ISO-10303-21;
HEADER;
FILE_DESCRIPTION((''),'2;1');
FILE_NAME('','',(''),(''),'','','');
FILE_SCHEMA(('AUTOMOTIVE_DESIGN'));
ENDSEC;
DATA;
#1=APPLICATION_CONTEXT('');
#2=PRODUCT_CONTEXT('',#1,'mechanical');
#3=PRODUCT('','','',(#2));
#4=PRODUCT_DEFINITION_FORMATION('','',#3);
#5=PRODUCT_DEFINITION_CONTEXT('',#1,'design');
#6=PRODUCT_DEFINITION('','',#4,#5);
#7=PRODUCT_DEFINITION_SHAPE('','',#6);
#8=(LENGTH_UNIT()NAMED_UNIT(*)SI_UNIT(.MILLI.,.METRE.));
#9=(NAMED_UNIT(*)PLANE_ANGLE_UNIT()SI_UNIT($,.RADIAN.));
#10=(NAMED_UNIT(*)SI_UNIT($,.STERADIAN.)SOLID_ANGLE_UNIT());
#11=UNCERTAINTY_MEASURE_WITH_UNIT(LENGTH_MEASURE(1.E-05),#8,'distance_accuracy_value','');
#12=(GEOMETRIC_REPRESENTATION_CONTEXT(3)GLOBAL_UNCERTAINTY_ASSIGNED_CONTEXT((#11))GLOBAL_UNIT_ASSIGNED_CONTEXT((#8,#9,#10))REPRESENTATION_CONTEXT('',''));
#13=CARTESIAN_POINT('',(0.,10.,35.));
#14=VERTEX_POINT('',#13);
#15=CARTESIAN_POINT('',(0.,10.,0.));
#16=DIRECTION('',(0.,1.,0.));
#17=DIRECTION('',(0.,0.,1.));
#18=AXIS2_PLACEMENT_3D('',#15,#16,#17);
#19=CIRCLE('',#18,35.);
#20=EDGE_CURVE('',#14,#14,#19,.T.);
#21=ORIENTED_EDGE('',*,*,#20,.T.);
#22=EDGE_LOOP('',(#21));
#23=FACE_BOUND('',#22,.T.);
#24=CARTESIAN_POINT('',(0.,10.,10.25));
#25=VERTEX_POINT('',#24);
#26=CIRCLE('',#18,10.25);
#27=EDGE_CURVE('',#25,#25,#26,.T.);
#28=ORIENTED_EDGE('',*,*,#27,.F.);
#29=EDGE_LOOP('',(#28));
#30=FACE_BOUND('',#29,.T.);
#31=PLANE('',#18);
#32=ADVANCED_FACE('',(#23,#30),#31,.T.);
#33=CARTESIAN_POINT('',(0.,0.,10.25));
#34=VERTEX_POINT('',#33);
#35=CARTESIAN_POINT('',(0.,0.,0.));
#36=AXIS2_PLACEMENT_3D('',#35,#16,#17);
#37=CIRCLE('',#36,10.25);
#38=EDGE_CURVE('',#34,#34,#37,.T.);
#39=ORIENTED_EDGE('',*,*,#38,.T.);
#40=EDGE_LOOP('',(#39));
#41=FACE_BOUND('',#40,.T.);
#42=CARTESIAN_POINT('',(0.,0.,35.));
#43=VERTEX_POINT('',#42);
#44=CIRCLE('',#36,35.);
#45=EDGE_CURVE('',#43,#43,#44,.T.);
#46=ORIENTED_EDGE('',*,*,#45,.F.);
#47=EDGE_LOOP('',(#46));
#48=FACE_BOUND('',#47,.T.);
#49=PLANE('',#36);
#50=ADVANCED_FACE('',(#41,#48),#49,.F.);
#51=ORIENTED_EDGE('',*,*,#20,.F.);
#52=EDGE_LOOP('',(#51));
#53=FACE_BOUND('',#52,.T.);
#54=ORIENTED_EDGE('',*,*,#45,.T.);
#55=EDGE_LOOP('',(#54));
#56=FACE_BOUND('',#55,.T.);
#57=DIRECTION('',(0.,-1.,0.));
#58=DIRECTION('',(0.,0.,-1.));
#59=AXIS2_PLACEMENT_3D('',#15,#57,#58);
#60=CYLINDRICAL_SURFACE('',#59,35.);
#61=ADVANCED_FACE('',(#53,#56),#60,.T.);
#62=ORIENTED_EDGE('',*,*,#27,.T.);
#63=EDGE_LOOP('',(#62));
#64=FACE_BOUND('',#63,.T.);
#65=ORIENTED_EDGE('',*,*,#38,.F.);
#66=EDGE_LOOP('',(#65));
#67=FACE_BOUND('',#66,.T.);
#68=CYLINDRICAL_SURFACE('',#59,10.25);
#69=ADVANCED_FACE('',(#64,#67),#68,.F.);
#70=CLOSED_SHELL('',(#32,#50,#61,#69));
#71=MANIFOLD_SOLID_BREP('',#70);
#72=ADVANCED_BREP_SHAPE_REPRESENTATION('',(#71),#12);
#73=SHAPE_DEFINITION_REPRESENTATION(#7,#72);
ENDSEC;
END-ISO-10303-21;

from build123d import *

# Parameters (mm, degrees)
SKETCH_1_R      = 35
SKETCH_1_R_2    = 10.25
EXTRUDE_1_DEPTH = 10


with BuildPart() as part:
    # 草图1 → 凸台-拉伸1 (new body)
    with BuildSketch(Plane(origin=(0, 0, 0), x_dir=(1, 0, 0), z_dir=(0, 1, 0))):
        with Locations(Location((0, 0, 0), (0, 0, 270))):
            Circle(SKETCH_1_R)
        with Locations(Location((0, 0, 0), (0, 0, 270))):
            Circle(SKETCH_1_R_2, mode=Mode.SUBTRACT)
    extrude(amount=EXTRUDE_1_DEPTH)


solid = part.part
